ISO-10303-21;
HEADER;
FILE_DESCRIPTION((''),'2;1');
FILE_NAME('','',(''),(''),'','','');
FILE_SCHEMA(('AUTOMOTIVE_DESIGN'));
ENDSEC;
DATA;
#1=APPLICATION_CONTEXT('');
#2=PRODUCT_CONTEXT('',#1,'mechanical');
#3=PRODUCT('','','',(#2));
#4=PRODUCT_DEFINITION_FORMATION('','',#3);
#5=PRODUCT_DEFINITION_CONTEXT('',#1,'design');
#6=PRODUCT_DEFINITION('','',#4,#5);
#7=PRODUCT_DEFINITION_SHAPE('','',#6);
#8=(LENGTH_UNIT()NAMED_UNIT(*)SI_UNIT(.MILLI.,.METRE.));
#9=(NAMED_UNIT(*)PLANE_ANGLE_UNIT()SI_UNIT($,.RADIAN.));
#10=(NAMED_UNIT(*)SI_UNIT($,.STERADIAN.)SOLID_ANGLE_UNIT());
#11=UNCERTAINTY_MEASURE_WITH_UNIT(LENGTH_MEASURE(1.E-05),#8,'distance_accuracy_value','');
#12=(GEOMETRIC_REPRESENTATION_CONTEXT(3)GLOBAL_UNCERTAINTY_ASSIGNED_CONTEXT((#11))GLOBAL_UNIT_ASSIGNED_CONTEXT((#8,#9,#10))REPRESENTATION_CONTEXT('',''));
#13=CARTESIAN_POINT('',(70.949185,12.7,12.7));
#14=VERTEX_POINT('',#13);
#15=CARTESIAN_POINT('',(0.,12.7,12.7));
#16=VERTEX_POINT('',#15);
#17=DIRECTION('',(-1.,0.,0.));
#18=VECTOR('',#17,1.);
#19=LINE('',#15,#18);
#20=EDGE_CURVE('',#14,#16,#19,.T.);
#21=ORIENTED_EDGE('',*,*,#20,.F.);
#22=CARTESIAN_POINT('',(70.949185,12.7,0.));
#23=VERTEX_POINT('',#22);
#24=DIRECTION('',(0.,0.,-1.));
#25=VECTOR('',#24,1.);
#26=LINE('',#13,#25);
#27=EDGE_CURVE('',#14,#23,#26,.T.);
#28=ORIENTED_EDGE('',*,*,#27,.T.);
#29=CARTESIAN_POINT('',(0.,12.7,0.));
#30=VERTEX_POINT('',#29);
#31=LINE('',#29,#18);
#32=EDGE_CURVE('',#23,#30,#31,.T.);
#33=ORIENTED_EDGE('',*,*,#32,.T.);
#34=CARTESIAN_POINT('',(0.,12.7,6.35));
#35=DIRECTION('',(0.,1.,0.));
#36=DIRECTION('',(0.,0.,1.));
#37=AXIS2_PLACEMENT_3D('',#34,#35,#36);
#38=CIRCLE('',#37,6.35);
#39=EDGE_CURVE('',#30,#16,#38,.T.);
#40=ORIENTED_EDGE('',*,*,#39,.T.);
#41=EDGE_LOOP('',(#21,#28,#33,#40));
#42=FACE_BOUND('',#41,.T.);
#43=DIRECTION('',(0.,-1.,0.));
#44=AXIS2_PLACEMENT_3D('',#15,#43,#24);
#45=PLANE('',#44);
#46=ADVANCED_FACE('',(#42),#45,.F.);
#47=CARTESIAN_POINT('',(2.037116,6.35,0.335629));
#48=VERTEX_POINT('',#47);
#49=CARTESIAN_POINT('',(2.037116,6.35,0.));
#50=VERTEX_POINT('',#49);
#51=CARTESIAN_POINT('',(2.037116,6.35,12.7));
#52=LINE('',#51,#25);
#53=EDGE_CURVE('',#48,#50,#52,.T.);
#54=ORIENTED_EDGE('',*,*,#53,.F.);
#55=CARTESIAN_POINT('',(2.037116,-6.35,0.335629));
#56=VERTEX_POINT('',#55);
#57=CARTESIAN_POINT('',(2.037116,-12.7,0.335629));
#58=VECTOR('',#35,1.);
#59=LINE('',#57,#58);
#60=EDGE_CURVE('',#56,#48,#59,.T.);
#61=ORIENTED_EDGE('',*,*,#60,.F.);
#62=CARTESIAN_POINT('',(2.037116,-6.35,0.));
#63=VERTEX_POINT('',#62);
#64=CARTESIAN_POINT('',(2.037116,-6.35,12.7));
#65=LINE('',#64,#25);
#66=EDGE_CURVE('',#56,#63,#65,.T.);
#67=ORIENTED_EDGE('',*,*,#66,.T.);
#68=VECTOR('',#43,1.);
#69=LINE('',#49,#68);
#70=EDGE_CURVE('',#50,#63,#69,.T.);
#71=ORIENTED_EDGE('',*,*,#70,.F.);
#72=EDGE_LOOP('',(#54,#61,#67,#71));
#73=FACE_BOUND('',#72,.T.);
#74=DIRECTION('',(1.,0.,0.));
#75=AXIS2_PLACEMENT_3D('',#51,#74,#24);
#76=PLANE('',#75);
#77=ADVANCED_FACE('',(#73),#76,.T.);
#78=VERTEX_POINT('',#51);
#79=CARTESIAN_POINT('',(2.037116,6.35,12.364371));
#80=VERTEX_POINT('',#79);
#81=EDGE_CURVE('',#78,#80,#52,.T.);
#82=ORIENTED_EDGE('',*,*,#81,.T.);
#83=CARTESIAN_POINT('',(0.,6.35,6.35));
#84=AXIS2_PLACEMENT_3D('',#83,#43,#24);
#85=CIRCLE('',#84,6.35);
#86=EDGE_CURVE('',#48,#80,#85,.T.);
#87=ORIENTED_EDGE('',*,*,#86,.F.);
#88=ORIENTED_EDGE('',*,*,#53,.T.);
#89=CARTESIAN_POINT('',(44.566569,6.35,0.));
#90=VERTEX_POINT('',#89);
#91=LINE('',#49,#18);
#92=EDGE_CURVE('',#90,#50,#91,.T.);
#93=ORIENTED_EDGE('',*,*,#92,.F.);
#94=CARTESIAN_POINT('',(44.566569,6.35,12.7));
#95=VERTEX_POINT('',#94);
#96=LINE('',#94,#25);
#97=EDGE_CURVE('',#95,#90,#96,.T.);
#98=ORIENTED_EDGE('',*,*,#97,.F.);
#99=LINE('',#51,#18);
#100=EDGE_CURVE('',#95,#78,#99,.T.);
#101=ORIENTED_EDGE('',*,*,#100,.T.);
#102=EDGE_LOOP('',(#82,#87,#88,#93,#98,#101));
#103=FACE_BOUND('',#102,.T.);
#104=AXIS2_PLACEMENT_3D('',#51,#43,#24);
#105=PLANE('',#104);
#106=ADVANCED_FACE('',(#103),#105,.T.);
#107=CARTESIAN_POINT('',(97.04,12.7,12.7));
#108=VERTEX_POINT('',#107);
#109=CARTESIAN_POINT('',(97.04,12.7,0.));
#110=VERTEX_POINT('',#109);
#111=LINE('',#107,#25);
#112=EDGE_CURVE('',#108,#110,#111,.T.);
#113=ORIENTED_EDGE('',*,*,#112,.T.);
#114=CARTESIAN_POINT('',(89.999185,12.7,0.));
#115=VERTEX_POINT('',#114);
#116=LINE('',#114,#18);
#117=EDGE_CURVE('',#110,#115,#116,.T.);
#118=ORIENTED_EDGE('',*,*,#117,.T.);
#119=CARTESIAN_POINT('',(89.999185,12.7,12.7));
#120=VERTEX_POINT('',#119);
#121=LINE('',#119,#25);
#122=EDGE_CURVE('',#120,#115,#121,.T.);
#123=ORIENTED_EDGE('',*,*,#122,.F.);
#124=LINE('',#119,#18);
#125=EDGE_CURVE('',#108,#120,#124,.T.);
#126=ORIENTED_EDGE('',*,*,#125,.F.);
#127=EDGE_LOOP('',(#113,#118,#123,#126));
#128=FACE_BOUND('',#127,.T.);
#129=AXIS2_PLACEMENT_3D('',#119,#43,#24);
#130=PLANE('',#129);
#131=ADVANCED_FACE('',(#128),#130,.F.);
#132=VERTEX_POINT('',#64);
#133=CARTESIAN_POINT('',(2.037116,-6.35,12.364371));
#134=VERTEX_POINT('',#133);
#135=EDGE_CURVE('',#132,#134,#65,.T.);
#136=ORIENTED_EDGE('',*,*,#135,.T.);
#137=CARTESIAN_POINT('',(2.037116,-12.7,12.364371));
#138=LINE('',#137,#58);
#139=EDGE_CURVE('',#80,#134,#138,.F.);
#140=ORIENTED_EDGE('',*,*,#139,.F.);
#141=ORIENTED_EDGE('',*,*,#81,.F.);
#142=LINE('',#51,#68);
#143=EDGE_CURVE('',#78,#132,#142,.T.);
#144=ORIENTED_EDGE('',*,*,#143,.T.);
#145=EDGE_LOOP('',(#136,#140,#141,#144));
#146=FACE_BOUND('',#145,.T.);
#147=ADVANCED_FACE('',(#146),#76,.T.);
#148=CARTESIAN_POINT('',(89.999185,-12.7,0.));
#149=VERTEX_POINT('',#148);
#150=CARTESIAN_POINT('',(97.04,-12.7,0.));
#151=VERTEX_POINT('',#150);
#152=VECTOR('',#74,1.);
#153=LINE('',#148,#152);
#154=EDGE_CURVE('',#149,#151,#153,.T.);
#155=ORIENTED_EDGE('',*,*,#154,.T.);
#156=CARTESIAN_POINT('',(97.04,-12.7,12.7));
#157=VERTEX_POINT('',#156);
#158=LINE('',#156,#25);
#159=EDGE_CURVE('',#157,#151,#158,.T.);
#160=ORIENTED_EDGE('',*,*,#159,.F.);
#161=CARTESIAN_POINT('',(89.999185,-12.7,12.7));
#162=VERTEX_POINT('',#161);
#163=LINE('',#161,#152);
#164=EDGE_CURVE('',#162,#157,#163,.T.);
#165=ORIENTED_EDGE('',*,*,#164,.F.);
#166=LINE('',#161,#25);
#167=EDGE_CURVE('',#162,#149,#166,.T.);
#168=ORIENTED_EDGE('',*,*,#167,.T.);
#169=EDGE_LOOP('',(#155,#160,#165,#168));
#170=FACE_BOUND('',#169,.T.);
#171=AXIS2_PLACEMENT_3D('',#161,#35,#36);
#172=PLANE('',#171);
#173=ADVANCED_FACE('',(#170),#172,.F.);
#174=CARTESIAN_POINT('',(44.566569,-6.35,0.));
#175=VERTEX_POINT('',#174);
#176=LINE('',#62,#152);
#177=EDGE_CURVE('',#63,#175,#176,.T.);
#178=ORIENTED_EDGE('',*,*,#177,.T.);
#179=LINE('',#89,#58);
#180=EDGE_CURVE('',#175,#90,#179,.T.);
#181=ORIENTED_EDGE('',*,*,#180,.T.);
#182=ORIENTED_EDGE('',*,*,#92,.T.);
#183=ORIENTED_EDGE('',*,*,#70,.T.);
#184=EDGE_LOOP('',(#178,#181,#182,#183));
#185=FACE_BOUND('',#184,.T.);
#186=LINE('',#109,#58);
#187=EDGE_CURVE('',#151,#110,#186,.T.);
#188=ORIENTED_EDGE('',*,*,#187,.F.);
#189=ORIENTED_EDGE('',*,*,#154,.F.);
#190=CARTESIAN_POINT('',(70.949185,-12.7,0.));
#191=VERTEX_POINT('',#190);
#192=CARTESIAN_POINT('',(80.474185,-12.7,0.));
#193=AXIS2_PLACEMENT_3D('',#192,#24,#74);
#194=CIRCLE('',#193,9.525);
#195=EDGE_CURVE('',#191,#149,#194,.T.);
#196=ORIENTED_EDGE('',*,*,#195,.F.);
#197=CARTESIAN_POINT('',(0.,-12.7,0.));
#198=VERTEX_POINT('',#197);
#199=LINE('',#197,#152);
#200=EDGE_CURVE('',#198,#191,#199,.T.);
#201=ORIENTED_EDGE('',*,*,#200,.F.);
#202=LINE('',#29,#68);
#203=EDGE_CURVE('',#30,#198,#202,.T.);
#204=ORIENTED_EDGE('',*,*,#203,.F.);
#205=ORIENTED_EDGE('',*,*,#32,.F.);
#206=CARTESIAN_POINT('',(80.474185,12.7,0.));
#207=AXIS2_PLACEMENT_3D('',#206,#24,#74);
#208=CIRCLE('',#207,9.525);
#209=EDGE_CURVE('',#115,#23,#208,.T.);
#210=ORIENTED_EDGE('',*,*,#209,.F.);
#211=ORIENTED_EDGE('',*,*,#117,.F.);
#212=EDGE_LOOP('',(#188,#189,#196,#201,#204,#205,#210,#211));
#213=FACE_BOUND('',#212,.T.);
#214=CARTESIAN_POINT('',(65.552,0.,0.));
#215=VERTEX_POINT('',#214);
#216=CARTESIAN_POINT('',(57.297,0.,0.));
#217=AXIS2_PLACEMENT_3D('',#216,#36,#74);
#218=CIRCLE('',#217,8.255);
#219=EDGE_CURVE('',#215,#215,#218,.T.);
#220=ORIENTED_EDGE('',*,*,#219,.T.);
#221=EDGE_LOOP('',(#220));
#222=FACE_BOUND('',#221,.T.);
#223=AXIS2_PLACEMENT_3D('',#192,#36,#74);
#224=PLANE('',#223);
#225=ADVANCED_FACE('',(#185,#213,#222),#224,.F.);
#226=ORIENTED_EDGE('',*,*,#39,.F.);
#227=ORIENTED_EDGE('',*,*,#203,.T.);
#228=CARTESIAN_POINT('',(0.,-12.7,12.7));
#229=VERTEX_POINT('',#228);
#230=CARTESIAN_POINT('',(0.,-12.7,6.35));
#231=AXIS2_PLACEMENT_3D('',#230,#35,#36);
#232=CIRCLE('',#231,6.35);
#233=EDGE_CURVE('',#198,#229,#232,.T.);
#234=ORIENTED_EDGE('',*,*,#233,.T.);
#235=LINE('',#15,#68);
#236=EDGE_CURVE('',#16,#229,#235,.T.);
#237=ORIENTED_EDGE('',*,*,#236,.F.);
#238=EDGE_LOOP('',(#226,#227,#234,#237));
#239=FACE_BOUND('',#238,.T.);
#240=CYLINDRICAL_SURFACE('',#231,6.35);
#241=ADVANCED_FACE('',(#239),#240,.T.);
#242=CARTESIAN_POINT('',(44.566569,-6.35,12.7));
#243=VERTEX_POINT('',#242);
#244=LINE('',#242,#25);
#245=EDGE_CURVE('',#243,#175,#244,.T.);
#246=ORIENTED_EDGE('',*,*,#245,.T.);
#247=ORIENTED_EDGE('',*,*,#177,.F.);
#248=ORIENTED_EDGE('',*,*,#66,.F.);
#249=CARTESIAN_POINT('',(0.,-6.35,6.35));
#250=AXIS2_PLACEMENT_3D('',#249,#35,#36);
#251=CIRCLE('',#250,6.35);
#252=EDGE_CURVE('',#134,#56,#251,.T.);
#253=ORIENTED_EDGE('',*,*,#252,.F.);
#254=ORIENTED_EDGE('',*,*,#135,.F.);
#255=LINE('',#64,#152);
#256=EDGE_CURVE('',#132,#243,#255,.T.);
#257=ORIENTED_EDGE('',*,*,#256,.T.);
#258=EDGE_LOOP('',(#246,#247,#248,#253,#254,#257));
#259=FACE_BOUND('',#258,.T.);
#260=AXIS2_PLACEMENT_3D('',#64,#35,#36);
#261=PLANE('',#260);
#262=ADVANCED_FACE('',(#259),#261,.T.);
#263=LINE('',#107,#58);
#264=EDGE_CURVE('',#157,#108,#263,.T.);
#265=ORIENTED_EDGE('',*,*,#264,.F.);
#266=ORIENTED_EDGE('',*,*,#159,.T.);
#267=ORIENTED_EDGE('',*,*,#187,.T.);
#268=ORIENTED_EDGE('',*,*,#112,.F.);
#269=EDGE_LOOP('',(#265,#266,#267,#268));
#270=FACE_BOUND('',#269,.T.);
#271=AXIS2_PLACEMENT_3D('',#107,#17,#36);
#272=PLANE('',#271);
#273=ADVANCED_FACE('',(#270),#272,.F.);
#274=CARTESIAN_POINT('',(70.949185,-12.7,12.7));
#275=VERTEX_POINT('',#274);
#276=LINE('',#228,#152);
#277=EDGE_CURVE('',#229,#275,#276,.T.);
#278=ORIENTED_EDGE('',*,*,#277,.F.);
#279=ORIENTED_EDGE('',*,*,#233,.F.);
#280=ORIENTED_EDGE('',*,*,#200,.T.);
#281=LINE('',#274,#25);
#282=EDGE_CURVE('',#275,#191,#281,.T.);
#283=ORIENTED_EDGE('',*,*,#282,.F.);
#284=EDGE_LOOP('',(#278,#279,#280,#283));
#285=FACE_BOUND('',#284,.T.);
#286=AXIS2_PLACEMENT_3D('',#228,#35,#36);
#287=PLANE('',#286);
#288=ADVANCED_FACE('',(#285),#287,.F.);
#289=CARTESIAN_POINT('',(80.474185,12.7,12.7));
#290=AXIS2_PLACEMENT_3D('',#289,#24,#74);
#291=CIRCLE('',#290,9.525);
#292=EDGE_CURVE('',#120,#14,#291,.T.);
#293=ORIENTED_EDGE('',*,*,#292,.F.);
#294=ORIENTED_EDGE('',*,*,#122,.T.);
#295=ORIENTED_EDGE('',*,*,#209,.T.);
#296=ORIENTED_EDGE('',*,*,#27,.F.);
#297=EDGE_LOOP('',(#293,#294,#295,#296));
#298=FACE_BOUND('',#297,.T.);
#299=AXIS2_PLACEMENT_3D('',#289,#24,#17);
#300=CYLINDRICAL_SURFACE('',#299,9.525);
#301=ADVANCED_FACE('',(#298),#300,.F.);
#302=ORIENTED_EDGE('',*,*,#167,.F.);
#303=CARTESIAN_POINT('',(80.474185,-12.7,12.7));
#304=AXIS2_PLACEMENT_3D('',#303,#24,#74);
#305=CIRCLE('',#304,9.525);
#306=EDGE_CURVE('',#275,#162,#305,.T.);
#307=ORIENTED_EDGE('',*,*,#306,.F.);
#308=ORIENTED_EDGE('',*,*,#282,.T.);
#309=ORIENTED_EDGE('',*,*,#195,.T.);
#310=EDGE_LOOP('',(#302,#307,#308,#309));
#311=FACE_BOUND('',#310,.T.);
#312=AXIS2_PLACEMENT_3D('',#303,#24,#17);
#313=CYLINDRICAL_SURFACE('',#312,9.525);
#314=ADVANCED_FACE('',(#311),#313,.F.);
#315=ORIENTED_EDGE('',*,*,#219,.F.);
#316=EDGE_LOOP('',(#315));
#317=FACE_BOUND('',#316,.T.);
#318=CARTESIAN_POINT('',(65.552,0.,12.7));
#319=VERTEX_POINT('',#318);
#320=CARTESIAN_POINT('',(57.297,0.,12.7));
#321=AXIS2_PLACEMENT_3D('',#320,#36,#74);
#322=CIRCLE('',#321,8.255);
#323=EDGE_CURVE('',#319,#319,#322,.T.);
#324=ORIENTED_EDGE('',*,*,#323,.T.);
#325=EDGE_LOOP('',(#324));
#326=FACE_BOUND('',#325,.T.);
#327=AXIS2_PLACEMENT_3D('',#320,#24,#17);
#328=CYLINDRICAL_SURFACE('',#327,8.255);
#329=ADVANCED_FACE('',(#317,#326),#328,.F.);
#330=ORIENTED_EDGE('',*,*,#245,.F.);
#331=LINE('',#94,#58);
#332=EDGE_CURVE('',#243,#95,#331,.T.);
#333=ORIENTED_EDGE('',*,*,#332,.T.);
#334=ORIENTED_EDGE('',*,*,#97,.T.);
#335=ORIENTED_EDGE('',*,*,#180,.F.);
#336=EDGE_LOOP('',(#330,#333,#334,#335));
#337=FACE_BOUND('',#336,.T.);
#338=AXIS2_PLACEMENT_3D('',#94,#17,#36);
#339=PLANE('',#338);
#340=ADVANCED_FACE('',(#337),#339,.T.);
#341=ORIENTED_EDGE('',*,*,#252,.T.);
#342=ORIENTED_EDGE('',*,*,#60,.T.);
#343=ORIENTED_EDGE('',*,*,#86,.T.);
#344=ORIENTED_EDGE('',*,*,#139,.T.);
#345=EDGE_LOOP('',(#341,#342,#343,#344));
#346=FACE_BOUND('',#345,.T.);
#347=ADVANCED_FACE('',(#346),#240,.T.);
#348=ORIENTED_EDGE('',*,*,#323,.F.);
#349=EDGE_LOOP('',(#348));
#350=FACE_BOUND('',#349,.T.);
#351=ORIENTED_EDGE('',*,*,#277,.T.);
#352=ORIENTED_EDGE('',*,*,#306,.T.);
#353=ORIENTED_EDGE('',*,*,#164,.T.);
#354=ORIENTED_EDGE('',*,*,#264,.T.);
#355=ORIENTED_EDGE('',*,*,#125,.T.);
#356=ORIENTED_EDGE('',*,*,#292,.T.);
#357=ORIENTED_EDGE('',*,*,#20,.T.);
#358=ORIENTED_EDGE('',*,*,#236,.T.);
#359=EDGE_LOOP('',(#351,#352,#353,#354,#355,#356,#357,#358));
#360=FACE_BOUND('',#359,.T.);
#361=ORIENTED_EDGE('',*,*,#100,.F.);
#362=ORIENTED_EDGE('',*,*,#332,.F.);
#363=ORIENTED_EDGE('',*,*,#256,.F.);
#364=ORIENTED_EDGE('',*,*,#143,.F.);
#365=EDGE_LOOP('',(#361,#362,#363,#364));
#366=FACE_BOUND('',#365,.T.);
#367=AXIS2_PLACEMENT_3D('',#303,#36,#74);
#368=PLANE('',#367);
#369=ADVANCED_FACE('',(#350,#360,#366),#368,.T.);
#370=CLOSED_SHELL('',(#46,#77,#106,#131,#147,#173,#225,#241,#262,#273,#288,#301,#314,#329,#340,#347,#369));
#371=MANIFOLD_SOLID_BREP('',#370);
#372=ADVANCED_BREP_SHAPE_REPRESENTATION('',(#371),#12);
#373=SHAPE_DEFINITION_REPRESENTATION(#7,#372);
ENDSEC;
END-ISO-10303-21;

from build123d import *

# Parameters (mm, degrees)
SKETCH1_R           = 8.255
SKETCH1_W           = 42.529452224
SKETCH1_H           = 12.7
BOSS_EXTRUDE1_DEPTH = 12.7
SKETCH2_R           = 6.35
BOSS_EXTRUDE2_DEPTH = 25.4


with BuildPart() as part:
    # Sketch1 → Boss-Extrude1 (new body)
    with BuildSketch(Plane.XY):
        with BuildLine():
            Line((89.999184934, 12.7), (97.04, 12.7))
            Line((97.04, 12.7), (97.04, -12.7))
            Line((97.04, -12.7), (89.999184934, -12.7))
            ThreePointArc((89.999184934, -12.7), (80.474184934, -3.175), (70.949184934, -12.7))
            Line((70.949184934, -12.7), (0, -12.7))
            Line((0, -12.7), (0, 12.7))
            Line((0, 12.7), (70.949184934, 12.7))
            ThreePointArc((70.949184934, 12.7), (80.474184934, 3.175), (89.999184934, 12.7))
        make_face()
        with Locations((57.297, 0)):
            Circle(SKETCH1_R, mode=Mode.SUBTRACT)
        with Locations((23.301842553, 0)):
            Rectangle(SKETCH1_W, SKETCH1_H, mode=Mode.SUBTRACT)
    extrude(amount=BOSS_EXTRUDE1_DEPTH)

    # Sketch2 → Boss-Extrude2 (add, through all)
    with BuildSketch(Plane(origin=(0, 12.7, 0), x_dir=(1, 0, 0), z_dir=(0, 1, 0))):
        with Locations((0, -6.35)):
            Circle(SKETCH2_R)
    extrude(amount=-BOSS_EXTRUDE2_DEPTH)


solid = part.part
